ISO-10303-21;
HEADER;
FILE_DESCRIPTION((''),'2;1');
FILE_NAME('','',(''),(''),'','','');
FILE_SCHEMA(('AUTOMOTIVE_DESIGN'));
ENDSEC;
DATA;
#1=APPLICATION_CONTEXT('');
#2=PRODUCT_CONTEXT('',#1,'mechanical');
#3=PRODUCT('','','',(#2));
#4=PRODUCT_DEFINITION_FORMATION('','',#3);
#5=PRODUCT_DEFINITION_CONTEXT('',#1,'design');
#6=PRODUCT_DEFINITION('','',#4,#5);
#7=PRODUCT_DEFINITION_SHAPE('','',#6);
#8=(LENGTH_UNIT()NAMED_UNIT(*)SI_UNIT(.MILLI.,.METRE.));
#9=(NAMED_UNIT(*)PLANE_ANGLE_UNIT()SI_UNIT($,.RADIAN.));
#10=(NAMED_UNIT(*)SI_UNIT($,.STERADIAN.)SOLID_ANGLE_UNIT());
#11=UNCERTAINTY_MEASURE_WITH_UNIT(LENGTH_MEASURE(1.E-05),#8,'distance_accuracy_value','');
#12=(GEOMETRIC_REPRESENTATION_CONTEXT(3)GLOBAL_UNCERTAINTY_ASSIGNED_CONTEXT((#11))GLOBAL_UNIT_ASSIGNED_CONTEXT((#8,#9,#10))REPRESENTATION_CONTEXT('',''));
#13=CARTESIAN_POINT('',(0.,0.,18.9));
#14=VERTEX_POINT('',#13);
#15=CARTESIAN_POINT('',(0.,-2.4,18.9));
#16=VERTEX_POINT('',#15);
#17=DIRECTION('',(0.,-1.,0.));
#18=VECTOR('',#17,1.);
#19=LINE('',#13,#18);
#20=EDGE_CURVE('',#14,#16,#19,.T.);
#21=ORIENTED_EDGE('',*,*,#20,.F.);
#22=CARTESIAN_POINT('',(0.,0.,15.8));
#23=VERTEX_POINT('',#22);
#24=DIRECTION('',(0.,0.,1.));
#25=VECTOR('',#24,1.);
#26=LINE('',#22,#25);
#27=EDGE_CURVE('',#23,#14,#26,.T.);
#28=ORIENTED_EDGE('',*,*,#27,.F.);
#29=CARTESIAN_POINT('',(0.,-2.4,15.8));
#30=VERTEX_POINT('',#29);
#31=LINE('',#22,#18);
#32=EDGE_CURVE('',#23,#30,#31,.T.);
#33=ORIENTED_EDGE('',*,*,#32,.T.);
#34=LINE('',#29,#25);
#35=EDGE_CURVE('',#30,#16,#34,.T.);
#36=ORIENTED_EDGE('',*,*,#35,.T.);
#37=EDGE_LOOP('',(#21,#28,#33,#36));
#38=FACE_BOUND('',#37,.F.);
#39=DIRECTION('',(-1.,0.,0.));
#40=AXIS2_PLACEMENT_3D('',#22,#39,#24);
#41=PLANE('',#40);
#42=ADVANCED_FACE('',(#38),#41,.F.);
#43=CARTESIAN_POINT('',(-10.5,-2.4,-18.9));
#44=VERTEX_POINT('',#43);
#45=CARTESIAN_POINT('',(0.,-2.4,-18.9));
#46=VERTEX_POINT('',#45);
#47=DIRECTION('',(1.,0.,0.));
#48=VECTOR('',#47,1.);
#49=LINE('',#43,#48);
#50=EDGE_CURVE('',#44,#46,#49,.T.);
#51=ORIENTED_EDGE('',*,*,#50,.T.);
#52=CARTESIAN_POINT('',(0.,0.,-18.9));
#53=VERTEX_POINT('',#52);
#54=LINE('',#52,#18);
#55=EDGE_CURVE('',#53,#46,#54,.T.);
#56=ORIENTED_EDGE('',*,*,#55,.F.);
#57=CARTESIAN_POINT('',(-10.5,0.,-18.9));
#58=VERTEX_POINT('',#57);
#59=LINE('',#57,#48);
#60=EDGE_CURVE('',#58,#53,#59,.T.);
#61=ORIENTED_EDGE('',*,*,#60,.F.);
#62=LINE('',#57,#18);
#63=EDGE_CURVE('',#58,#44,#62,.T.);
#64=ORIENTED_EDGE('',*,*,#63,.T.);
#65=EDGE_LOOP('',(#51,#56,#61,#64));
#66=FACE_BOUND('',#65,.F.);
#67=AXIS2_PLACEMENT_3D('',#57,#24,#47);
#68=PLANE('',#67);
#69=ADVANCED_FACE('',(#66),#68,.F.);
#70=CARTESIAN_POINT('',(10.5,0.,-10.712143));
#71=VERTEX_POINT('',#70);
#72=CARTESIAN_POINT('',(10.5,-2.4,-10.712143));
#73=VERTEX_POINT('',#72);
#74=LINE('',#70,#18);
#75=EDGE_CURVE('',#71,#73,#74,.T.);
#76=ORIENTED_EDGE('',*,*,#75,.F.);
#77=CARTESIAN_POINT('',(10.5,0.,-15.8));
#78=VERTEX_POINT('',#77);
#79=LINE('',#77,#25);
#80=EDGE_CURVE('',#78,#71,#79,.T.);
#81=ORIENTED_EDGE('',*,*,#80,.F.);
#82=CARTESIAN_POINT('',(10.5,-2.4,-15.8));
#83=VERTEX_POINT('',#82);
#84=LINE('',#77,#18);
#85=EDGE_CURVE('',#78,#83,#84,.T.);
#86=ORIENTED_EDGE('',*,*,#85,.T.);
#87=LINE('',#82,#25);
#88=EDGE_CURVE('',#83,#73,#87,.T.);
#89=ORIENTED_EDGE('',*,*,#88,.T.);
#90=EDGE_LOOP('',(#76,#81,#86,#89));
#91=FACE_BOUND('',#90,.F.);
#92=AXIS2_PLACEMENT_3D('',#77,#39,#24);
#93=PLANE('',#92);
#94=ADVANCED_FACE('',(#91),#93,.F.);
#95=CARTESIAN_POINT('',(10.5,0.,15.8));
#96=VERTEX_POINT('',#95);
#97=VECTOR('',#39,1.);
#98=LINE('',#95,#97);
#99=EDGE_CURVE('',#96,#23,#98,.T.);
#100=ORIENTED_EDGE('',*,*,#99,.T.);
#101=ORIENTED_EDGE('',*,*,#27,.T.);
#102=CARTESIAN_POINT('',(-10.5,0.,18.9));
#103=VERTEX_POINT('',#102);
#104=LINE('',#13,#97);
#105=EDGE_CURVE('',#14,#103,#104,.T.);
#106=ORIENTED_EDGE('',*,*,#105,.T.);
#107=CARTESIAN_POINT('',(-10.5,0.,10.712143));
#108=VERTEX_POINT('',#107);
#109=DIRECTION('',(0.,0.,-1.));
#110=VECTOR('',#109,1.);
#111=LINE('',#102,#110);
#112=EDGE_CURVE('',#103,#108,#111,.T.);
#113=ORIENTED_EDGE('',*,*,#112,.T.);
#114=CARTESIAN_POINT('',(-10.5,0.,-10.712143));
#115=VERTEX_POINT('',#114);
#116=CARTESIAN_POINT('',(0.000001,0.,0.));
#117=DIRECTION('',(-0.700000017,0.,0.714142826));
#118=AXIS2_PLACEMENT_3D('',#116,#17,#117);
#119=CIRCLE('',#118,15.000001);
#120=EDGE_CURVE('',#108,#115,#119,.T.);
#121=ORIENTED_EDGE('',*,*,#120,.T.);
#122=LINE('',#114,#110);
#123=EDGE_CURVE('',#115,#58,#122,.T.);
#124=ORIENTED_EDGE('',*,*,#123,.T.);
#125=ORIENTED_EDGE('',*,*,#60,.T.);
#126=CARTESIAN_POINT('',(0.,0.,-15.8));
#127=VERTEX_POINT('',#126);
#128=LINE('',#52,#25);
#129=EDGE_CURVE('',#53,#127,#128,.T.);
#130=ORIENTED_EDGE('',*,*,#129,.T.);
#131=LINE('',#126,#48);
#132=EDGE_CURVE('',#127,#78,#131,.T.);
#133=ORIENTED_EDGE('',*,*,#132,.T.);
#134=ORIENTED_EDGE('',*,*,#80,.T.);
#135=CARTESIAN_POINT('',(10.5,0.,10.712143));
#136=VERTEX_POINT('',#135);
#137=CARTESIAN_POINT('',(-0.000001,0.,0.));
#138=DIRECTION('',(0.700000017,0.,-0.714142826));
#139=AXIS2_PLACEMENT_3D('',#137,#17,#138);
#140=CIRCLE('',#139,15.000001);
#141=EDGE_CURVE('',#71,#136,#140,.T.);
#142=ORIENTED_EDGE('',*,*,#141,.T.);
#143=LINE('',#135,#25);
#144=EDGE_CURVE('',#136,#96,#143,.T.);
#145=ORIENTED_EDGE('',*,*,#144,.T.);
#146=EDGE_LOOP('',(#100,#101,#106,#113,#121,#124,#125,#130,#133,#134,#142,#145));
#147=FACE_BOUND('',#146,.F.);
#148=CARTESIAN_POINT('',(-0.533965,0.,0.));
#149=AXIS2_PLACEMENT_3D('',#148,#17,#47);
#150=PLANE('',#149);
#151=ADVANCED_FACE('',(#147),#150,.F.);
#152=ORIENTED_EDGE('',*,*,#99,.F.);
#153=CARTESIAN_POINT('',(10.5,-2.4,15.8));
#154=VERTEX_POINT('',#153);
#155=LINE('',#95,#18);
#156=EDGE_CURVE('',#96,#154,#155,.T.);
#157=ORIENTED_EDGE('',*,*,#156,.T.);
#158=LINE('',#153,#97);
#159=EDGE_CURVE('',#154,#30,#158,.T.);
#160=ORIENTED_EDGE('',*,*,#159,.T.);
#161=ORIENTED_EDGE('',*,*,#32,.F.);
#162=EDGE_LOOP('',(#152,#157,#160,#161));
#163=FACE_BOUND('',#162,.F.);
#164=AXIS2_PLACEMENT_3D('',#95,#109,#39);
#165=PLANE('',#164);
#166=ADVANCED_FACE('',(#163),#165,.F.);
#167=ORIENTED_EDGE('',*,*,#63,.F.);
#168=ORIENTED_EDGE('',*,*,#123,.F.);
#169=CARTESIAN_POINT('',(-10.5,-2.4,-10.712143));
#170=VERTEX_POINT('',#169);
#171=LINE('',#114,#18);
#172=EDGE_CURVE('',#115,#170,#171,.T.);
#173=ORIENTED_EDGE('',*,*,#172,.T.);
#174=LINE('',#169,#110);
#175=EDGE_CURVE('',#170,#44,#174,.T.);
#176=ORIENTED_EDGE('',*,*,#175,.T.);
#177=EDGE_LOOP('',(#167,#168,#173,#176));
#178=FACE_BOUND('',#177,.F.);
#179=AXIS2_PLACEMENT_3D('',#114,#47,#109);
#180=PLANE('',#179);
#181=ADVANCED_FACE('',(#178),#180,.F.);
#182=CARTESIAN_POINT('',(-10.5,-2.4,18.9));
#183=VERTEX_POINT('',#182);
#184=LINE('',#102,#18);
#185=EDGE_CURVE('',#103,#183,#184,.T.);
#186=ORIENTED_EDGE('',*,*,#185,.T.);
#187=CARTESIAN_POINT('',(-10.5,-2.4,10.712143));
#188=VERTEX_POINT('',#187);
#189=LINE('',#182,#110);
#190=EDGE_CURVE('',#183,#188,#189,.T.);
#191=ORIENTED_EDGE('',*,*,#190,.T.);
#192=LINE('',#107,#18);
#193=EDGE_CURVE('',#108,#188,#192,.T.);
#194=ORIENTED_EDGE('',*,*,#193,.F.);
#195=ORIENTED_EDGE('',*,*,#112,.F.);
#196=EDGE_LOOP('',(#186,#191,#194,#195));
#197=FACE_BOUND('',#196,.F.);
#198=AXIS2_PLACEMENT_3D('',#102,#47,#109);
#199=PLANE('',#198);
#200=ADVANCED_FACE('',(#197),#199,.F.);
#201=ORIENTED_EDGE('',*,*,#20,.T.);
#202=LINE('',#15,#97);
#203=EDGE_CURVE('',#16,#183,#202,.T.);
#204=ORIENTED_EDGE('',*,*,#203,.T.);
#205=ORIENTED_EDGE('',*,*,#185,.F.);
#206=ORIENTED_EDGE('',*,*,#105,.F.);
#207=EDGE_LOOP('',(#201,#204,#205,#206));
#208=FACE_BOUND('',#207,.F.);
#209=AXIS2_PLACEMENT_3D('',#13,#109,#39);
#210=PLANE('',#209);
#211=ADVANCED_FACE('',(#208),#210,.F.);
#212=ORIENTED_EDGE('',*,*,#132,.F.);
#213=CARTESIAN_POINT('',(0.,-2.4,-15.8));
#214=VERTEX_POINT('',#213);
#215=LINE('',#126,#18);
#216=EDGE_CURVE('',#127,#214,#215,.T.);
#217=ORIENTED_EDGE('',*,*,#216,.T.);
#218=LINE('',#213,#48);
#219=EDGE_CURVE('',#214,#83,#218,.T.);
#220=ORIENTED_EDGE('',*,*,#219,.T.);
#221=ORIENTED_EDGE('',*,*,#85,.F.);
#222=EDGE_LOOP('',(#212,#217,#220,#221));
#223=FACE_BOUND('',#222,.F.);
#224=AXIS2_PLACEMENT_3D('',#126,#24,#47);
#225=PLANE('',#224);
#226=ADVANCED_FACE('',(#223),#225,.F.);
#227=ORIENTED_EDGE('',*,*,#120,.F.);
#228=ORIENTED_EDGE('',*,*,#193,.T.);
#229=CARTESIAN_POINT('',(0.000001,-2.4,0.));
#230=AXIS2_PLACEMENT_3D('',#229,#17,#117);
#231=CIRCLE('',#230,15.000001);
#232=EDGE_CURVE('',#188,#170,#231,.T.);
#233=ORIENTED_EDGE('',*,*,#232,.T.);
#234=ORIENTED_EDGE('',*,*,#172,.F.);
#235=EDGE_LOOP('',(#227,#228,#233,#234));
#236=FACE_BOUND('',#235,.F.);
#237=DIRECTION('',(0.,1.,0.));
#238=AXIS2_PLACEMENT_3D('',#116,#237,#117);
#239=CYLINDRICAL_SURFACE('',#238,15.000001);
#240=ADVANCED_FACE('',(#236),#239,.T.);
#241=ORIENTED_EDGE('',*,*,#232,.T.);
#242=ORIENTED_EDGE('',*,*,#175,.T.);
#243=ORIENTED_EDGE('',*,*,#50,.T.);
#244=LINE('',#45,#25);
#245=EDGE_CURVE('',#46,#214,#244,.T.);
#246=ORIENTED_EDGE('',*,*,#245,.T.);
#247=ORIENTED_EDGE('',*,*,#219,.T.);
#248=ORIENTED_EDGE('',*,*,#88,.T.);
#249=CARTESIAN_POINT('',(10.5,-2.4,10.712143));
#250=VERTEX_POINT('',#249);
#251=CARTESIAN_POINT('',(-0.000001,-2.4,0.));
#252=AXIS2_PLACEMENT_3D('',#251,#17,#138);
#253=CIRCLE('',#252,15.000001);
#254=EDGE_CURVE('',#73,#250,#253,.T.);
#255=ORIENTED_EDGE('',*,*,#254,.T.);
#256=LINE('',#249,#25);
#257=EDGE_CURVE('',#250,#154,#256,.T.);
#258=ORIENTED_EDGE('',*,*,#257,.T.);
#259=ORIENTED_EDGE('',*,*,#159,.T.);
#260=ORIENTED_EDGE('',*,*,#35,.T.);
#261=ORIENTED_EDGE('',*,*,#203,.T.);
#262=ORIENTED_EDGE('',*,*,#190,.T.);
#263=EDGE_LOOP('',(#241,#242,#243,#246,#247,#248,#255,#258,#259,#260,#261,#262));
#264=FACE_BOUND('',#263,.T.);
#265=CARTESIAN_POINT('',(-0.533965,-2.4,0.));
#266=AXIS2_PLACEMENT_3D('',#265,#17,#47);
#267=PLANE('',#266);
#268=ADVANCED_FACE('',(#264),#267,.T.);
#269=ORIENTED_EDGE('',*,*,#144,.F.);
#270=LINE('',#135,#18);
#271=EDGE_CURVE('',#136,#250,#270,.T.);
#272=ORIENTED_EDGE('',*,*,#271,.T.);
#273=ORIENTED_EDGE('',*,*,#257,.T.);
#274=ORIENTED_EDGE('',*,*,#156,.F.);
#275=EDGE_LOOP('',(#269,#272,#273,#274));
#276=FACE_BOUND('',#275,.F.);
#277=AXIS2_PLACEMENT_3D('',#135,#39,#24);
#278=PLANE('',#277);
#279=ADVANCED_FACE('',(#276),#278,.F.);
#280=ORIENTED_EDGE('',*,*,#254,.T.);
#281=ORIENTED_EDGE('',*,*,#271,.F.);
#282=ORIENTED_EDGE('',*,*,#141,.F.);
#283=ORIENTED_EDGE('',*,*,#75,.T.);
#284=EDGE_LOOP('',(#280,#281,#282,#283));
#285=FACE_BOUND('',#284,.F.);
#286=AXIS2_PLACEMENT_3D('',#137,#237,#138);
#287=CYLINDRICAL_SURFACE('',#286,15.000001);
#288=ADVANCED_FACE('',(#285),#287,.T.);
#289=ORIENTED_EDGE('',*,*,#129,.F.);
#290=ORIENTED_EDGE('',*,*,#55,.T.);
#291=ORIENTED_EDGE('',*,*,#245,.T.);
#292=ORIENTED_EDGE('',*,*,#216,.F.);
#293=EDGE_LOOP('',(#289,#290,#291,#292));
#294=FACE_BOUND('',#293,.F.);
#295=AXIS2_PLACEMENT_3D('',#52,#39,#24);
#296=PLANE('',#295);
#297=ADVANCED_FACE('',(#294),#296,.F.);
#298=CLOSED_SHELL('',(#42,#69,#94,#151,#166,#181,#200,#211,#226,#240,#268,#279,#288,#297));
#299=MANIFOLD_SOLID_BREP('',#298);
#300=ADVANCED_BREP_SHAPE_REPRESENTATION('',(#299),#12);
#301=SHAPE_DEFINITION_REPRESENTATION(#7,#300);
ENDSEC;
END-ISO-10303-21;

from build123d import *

# Parameters (mm, degrees)
F1_DEPTH = 2.4


with BuildPart() as f1:
    # F0 (on Front) → F1 (new body)
    with BuildSketch(Plane.XZ):
        with BuildLine():
            Line((-10.5, 18.9), (-10.5, 10.712143))
            ThreePointArc((-10.5, 10.712143), (-15, 0), (-10.5, -10.712143))
            Line((-10.5, -10.712143), (-10.5, -18.9))
            Line((-10.5, -18.9), (0, -18.9))
            Line((0, -18.9), (0, -15.8))
            Line((0, -15.8), (10.5, -15.8))
            Line((10.5, -15.8), (10.5, -10.712143))
            ThreePointArc((10.5, -10.712143), (15, 0), (10.5, 10.712143))
            Line((10.5, 10.712143), (10.5, 15.8))
            Line((10.5, 15.8), (0, 15.8))
            Line((0, 15.8), (0, 18.9))
            Line((0, 18.9), (-10.5, 18.9))
        make_face()
    extrude(amount=F1_DEPTH)


solid = f1.part
